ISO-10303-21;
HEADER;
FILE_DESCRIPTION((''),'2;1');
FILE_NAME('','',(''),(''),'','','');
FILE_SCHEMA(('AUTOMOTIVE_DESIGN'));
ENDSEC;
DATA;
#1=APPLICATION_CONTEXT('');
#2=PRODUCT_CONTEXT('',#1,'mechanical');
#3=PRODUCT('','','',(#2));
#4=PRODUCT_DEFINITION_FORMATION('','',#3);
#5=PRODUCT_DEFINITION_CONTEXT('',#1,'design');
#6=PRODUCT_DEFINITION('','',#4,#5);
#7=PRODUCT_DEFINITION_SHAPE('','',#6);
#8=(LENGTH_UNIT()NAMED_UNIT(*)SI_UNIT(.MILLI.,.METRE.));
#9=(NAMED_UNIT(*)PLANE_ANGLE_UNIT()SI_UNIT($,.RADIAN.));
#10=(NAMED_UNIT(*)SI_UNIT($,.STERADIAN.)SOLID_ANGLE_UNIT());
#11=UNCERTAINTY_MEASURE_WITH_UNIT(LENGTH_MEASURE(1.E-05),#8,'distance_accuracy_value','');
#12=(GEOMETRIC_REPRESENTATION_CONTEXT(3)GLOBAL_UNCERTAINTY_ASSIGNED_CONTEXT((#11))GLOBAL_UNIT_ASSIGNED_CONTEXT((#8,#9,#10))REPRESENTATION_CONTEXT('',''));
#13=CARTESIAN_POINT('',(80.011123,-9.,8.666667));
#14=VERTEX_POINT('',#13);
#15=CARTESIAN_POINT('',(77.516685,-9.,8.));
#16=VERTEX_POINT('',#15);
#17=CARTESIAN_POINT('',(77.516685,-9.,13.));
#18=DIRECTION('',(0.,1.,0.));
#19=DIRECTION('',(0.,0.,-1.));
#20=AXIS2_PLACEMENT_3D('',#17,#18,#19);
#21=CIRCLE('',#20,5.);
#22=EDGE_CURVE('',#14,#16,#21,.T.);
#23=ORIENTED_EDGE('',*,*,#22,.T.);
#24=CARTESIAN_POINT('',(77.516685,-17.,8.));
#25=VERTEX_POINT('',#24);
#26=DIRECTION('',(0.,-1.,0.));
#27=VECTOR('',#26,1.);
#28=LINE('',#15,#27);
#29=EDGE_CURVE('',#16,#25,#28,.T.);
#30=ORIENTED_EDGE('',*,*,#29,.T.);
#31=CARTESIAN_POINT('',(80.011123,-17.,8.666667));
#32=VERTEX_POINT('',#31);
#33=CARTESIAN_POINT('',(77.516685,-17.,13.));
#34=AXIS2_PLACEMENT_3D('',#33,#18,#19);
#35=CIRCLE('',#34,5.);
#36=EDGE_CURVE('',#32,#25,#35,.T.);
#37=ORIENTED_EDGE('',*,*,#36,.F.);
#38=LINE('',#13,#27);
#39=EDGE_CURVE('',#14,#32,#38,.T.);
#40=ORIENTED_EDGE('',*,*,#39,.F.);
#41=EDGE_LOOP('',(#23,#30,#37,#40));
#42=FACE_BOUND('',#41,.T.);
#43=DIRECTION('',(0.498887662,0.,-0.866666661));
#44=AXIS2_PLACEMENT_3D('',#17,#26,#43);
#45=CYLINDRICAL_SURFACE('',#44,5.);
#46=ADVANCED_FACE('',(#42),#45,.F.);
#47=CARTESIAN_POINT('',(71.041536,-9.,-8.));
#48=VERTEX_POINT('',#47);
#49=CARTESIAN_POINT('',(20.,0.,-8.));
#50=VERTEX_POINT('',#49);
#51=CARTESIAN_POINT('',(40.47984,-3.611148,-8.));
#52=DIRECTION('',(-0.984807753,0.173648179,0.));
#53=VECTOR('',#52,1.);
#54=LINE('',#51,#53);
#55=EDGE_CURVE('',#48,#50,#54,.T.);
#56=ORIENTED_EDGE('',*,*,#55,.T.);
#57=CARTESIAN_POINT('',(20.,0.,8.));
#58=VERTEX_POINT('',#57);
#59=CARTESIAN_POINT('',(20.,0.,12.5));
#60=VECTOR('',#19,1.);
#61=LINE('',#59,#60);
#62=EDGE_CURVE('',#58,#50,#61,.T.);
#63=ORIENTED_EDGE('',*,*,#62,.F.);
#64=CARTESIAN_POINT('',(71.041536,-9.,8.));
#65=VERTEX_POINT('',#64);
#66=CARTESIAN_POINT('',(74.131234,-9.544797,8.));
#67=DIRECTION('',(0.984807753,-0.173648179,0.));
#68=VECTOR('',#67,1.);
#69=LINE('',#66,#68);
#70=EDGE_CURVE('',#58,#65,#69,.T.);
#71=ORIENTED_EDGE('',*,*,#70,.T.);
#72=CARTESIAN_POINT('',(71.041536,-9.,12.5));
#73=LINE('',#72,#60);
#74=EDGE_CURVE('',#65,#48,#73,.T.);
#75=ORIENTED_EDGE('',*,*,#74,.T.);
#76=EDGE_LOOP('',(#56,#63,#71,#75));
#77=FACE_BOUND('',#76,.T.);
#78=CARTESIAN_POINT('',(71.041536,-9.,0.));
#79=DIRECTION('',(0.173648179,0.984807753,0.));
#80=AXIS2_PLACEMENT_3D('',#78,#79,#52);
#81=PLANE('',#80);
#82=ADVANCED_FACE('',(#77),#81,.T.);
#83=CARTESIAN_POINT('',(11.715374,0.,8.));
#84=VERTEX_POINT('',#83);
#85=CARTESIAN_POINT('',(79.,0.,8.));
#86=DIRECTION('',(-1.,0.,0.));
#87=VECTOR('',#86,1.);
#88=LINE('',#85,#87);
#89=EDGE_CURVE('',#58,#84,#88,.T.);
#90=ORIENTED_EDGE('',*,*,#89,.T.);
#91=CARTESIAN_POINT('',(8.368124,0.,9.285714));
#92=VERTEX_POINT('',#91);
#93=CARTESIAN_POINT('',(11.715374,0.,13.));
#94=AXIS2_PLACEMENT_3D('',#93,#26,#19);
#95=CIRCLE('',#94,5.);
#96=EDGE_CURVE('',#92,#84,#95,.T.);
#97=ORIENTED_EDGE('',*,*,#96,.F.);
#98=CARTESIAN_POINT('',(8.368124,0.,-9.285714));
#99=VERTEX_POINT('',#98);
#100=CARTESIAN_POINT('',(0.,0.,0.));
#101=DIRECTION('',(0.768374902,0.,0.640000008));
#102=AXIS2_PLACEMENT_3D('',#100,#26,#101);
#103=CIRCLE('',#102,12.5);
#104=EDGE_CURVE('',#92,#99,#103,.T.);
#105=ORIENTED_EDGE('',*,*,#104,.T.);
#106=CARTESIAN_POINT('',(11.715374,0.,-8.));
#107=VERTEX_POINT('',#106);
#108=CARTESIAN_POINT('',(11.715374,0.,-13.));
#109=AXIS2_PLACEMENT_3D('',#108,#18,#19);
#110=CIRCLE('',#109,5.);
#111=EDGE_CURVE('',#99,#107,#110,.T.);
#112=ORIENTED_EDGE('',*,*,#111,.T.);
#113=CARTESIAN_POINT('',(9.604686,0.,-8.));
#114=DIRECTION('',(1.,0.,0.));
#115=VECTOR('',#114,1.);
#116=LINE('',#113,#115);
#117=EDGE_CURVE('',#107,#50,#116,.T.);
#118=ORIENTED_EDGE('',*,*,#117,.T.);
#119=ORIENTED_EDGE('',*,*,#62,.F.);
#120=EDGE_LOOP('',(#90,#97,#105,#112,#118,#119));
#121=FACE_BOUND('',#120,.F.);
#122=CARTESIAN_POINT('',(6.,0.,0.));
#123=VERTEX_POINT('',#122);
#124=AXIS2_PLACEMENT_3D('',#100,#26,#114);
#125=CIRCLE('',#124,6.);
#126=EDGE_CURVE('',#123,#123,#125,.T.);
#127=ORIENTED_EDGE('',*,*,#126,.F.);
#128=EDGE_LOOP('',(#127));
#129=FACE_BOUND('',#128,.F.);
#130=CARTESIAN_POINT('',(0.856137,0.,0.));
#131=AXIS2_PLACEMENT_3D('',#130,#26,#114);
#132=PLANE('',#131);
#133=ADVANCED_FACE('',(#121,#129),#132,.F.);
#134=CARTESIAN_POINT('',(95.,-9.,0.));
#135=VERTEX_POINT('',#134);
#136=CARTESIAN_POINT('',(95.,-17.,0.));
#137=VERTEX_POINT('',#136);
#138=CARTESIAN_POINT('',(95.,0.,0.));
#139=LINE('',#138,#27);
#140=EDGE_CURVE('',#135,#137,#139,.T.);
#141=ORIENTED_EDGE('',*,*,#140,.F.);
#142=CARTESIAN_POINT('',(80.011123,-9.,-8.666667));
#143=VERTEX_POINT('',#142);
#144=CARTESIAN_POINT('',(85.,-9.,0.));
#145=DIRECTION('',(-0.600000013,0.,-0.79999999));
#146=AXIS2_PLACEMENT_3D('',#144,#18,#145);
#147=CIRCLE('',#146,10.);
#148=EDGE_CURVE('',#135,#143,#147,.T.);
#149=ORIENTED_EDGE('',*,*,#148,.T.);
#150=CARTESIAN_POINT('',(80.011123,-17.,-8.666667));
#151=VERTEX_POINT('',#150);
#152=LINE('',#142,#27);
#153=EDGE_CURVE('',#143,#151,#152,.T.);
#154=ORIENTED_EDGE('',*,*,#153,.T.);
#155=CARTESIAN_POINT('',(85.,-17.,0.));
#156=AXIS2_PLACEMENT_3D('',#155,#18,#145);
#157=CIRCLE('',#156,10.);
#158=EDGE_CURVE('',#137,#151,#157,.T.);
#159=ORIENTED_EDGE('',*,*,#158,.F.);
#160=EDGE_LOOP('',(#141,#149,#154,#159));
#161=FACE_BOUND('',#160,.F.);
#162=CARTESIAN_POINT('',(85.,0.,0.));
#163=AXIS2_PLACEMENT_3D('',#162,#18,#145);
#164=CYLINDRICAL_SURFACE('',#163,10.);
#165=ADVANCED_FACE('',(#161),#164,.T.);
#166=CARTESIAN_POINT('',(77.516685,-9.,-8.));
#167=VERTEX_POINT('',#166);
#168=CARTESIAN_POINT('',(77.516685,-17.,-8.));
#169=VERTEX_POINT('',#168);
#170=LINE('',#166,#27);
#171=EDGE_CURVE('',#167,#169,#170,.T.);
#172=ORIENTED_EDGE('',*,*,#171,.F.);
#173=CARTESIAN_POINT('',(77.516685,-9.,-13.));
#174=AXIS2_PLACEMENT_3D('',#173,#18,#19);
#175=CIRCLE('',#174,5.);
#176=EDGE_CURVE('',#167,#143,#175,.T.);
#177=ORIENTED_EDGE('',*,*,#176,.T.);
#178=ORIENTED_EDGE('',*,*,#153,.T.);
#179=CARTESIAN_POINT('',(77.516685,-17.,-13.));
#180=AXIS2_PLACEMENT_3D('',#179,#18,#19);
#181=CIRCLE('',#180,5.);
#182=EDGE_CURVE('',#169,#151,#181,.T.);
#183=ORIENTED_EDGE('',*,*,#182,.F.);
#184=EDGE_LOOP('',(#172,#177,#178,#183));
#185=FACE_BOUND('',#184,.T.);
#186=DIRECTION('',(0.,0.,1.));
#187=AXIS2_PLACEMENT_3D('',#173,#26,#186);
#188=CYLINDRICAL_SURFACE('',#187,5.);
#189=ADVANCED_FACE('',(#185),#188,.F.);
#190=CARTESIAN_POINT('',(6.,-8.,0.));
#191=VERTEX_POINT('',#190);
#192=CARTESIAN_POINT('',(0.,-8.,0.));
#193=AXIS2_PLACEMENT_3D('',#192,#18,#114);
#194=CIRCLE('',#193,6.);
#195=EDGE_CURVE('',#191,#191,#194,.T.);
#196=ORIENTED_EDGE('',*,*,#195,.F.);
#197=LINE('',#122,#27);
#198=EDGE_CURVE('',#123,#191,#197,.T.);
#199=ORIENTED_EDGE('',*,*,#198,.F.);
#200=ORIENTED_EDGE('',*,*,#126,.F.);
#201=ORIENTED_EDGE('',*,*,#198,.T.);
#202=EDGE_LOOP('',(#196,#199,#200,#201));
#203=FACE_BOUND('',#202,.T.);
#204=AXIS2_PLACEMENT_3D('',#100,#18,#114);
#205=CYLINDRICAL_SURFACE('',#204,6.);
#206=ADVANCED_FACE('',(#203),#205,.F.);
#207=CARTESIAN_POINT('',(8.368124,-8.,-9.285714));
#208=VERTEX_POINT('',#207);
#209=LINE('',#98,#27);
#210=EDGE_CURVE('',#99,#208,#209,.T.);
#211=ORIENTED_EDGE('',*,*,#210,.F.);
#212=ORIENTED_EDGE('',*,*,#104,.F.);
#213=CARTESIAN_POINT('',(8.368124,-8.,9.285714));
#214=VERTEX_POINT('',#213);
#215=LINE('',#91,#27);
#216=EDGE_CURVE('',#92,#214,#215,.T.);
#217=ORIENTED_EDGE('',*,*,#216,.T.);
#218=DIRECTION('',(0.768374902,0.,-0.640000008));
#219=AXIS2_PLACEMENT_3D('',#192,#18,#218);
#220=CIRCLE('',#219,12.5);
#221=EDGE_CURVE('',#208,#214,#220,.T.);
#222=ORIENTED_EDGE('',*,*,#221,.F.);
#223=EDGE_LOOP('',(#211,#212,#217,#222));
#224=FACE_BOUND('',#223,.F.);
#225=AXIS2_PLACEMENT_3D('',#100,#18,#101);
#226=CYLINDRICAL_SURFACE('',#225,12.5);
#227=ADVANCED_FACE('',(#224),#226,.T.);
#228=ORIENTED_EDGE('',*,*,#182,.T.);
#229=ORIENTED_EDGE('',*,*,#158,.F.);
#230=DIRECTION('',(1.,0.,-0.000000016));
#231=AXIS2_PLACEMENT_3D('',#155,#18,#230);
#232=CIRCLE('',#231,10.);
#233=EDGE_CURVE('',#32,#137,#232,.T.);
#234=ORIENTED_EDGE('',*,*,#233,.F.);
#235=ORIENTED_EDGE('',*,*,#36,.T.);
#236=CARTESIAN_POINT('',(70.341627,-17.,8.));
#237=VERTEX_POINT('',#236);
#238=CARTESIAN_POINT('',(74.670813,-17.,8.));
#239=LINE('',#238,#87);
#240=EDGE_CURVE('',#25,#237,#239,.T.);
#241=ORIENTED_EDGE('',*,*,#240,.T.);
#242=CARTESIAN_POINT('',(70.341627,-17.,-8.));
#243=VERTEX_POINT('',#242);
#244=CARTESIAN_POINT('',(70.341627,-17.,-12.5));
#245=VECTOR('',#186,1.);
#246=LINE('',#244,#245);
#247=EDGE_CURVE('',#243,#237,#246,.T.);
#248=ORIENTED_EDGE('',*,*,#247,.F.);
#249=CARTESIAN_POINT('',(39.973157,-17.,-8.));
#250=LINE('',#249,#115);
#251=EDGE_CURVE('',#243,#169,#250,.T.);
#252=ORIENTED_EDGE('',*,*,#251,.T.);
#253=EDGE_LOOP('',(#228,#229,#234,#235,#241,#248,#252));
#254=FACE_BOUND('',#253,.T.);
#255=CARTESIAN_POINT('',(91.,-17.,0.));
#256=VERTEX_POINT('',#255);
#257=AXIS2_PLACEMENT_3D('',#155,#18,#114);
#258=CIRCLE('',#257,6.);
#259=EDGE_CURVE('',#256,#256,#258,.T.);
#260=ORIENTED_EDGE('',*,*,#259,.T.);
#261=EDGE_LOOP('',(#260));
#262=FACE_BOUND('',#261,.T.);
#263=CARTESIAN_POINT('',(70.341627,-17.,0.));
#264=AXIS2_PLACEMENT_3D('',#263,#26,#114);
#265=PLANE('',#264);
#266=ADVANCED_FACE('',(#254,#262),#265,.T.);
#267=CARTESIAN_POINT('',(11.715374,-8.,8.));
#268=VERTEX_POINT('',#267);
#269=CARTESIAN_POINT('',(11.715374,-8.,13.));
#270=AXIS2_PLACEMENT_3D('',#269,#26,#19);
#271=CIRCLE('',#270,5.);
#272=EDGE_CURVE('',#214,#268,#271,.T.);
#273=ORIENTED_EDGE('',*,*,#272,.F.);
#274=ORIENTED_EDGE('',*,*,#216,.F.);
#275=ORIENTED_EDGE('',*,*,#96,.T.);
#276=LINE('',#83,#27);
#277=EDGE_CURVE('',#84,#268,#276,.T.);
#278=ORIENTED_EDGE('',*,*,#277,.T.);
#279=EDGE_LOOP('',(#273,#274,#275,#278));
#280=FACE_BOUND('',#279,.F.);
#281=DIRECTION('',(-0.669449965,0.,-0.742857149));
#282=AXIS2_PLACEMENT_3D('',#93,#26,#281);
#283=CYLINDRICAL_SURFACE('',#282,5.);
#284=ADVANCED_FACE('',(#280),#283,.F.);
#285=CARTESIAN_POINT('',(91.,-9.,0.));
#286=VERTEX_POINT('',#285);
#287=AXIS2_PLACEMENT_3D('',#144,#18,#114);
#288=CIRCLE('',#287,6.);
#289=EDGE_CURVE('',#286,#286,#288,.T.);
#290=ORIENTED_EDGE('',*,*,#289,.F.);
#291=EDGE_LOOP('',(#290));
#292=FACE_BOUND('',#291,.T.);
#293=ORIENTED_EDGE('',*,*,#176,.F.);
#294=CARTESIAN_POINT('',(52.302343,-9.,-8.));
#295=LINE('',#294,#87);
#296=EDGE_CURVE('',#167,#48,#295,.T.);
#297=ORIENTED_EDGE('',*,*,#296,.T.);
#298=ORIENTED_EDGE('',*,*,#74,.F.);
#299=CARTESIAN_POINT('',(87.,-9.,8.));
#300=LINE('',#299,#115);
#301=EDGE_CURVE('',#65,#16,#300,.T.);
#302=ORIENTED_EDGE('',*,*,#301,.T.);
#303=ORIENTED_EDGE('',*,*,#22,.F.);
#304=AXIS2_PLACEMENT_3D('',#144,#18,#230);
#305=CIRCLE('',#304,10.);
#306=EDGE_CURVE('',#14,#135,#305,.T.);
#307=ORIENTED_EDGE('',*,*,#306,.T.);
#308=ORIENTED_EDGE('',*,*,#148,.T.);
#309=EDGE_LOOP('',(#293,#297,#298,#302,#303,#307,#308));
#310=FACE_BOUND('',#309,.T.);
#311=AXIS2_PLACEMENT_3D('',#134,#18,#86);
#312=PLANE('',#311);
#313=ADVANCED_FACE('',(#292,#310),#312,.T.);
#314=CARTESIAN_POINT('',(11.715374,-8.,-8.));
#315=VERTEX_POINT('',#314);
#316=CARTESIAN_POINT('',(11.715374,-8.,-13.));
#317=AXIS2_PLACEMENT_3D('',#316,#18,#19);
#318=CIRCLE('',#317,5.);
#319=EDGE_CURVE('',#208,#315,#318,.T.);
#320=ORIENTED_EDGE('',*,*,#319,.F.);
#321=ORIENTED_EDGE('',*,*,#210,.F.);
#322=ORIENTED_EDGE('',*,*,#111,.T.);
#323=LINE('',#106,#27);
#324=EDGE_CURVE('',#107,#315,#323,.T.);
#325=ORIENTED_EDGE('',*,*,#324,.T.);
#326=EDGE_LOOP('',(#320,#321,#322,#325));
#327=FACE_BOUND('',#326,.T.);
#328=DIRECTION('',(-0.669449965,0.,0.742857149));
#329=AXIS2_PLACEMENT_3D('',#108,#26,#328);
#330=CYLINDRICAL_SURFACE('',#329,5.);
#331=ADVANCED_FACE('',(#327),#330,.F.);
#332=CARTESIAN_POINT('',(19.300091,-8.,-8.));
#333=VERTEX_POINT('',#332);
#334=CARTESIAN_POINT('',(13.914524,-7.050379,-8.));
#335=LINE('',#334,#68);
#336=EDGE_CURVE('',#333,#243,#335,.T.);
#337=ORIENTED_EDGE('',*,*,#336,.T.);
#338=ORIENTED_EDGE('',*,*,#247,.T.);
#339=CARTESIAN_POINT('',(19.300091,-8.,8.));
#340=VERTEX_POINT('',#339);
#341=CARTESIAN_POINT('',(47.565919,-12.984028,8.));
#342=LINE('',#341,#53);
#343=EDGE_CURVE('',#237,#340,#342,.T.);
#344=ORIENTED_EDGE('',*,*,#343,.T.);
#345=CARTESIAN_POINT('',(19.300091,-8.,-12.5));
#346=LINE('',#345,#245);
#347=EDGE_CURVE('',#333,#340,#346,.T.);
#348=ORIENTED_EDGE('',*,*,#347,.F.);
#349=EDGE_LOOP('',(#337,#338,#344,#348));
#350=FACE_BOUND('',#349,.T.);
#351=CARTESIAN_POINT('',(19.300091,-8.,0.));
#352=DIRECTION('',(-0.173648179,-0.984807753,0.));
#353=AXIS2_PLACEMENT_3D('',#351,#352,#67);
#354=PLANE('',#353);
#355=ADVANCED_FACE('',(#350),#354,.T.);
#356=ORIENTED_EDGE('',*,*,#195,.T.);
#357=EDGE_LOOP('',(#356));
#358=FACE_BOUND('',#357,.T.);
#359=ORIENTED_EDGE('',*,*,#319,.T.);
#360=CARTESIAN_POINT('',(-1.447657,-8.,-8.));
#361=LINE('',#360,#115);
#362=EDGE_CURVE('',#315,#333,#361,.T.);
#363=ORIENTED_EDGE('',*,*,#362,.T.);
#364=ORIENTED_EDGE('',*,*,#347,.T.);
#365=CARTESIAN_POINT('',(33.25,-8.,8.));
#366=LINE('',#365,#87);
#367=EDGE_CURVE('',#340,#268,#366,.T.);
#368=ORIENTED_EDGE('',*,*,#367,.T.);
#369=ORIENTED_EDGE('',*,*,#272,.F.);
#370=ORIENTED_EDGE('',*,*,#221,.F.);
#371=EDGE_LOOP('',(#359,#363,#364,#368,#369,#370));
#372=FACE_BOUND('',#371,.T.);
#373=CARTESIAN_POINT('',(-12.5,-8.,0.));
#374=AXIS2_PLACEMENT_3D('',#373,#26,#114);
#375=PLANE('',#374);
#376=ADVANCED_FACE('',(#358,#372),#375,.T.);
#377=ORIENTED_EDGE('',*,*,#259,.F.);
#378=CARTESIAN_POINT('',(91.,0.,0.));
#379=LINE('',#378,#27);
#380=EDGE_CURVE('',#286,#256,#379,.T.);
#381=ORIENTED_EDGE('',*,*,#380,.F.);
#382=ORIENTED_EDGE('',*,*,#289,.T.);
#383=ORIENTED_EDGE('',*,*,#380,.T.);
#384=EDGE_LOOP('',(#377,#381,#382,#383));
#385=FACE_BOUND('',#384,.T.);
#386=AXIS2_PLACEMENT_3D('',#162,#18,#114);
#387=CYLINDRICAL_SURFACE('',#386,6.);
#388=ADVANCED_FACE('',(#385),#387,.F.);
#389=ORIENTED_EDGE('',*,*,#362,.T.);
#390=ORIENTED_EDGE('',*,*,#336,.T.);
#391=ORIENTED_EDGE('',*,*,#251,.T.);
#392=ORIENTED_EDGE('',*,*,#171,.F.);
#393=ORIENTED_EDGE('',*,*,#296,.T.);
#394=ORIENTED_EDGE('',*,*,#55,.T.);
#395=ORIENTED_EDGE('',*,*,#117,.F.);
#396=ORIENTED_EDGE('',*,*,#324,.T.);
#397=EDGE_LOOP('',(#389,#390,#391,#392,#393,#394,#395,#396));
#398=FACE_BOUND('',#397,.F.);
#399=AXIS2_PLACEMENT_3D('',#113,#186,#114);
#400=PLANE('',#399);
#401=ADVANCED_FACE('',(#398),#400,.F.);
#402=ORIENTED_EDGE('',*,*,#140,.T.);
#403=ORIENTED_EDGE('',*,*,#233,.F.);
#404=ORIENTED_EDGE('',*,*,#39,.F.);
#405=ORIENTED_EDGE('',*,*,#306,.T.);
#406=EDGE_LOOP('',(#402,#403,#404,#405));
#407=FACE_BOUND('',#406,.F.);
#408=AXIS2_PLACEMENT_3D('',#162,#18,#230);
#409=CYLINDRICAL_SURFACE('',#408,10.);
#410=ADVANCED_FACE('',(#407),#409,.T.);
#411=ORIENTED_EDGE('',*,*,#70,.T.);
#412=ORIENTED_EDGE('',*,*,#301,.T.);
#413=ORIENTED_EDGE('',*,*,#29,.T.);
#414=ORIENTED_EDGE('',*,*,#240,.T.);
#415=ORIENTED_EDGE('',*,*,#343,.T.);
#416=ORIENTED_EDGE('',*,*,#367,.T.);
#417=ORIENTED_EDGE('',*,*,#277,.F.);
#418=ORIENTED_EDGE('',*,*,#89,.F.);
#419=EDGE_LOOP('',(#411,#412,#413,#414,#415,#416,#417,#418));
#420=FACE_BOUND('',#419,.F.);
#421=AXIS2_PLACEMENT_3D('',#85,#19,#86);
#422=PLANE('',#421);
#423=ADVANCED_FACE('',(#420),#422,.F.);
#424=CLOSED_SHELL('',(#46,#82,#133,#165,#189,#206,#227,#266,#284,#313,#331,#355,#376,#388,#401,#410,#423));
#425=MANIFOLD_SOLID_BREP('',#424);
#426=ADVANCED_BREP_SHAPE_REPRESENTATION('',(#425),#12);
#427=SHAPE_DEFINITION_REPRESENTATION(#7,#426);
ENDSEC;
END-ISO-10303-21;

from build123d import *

# Parameters (mm, degrees)
F0_R     = 6
F1_DEPTH = 25
F3_DEPTH = 12.5
F4_R     = 5


with BuildPart() as f1:
    # F0 (on Front) → F1 (new body)
    with BuildSketch(Plane.XZ):
        with BuildLine():
            ThreePointArc((9.604686, -8), (11.753905, -4.253905), (12.5, 0))
            ThreePointArc((12.5, 0), (11.753905, 4.253905), (9.604686, 8))
            ThreePointArc((9.604686, 8), (-12.5, 0), (9.604686, -8))
        make_face()
        Circle(F0_R, mode=Mode.SUBTRACT)
        with BuildLine():
            ThreePointArc((9.604686, 8), (11.753905, 4.253905), (12.5, 0))
            ThreePointArc((12.5, 0), (11.753905, -4.253905), (9.604686, -8))
            Line((9.604686, -8), (79, -8))
            ThreePointArc((79, -8), (75, 0), (79, 8))
            Line((79, 8), (9.604686, 8))
        make_face()
        with BuildLine():
            ThreePointArc((95, 0), (89.472136, 8.944272), (79, 8))
            ThreePointArc((79, 8), (75, 0), (79, -8))
            ThreePointArc((79, -8), (89.472136, -8.944272), (95, 0))
        make_face()
        with Locations((85, 0)):
            Circle(F0_R, mode=Mode.SUBTRACT)
    extrude(amount=F1_DEPTH)

    # F2 (on Top) → F3 (intersect, symmetric)
    with BuildSketch(Plane.XY):
        Polygon((20, 0), (-12.5, 0), (-12.5, -8), (19.300091, -8), (70.341627, -17), (95, -17), (95, -9), (71.041536, -9), align=None)
    extrude(amount=F3_DEPTH, both=True, mode=Mode.INTERSECT)

    # F4
    f4_edges = [f1.edges().sort_by_distance(p)[0] for p in [
        (79, -13, 8),
        (9.604686, -4, 8),
        (79, -13, -8),
        (9.604686, -4, -8),
    ]]
    fillet(f4_edges, radius=F4_R)


solid = f1.part
